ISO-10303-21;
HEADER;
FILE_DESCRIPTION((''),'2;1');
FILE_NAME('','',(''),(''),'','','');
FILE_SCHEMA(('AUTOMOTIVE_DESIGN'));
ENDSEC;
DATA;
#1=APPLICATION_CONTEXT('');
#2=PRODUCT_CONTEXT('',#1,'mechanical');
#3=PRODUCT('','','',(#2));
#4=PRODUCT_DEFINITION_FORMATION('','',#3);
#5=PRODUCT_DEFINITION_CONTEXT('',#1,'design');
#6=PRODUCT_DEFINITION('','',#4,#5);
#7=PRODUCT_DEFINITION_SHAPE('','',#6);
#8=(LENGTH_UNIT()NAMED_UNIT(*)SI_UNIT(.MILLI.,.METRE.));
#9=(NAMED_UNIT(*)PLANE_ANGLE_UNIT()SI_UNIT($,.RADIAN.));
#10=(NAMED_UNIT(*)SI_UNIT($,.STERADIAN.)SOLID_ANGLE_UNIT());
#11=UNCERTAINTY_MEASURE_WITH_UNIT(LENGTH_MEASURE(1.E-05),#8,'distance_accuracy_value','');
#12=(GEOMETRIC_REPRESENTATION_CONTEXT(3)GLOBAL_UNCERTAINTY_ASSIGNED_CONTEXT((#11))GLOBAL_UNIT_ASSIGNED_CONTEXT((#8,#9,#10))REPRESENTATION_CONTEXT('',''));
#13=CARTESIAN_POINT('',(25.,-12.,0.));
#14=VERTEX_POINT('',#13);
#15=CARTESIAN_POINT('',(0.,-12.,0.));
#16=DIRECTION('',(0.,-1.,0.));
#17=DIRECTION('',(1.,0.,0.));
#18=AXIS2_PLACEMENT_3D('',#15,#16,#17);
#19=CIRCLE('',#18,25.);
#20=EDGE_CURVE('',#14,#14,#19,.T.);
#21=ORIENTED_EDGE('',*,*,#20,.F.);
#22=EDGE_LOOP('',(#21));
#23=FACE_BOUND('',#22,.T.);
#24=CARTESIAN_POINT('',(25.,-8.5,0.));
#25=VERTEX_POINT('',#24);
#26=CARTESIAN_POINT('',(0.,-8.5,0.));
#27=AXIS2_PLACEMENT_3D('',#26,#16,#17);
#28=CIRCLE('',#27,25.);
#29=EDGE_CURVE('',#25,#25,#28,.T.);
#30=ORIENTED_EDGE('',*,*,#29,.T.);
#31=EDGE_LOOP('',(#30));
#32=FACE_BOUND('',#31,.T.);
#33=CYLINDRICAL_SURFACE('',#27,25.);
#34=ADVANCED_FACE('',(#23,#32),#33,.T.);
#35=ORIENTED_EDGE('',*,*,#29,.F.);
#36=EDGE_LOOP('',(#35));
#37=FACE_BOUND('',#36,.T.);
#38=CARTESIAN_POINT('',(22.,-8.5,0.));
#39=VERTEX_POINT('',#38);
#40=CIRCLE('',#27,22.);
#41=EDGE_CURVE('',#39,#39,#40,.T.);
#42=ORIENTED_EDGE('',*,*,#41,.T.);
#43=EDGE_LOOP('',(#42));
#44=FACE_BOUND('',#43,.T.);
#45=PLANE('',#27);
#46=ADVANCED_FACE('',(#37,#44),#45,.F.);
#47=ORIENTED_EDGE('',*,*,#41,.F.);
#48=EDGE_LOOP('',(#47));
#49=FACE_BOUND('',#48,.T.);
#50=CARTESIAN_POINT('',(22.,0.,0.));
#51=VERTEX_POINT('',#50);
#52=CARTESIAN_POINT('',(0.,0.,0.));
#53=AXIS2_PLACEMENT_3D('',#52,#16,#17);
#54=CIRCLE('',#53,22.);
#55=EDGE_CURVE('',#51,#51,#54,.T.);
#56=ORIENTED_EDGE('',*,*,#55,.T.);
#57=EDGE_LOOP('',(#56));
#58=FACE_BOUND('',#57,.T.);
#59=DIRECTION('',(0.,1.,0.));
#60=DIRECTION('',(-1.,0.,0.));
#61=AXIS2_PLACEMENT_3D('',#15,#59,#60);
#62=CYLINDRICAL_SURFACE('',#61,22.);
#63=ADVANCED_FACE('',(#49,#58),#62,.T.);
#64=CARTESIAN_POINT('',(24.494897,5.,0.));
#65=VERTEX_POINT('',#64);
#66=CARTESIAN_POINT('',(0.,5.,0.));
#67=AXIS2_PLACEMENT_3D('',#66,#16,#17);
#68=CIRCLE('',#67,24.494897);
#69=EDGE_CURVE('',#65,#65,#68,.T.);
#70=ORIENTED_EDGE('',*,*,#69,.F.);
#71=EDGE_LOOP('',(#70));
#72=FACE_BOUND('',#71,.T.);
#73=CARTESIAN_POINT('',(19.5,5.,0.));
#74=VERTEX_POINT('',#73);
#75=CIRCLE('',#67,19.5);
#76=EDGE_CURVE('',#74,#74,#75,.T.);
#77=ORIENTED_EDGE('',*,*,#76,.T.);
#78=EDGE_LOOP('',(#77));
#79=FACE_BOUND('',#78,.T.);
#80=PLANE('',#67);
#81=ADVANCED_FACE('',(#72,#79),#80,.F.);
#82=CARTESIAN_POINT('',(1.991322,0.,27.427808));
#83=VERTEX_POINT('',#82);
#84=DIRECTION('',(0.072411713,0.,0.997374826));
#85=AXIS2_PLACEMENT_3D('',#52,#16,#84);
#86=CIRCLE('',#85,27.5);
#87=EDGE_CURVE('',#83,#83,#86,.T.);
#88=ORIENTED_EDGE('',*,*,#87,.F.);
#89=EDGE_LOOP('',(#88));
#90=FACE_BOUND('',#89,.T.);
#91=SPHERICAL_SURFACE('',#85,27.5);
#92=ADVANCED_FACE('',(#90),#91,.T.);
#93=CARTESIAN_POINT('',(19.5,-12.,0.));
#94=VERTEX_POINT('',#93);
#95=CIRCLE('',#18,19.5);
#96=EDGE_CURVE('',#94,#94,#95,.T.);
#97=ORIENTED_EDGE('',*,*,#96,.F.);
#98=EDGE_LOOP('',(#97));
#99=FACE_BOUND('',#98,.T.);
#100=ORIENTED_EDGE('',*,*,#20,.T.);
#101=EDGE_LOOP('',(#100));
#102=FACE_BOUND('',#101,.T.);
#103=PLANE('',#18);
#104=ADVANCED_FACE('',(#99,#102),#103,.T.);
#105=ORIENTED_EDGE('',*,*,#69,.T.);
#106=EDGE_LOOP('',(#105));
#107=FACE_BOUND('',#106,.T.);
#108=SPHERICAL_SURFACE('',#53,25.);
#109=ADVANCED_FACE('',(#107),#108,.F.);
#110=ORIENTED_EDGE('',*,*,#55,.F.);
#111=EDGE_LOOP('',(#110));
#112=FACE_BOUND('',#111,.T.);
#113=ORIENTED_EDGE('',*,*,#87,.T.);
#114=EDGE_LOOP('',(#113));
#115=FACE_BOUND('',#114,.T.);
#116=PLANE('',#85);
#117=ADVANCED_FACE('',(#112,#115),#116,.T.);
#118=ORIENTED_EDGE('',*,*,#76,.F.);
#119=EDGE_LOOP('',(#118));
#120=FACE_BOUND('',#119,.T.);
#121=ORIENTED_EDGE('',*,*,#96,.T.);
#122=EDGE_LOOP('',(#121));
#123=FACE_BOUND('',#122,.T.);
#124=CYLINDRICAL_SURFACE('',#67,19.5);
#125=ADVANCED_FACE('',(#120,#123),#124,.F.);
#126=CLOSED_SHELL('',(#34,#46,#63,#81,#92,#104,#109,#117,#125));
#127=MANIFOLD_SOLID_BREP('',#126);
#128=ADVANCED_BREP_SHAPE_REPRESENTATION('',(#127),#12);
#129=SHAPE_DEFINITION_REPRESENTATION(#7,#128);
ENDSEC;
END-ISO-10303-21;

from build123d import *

# Parameters (mm, degrees)
REVOLVE1_ANGLE      = 180
SKETCH3_R           = 25.457715114
BOSS_EXTRUDE1_DEPTH = 5
SKETCH4_R           = 22
BOSS_EXTRUDE2_DEPTH = 12
SKETCH5_R           = 25
BOSS_EXTRUDE3_DEPTH = 3.5
SKETCH6_R           = 19.5
CUT_EXTRUDE1_DEPTH  = 17


with BuildPart() as part:
    # Sketch1 → Revolve1 (revolve)
    with BuildSketch(Plane(origin=(0, 0, 0), x_dir=(1, 0, 0), z_dir=(0, 1, 0))):
        with BuildLine():
            Line((-0.996315138, 27.481946004), (0.996315138, -27.481946004))
            ThreePointArc((0.996315138, -27.481946004), (27.481946004, 0.996315138), (-0.996315138, 27.481946004))
        make_face()
    revolve(axis=Axis((-0.996315138, 0, -27.481946004), (0.036229641, 0, 0.999343491)), revolution_arc=REVOLVE1_ANGLE)

    # Sketch2 → Cut-Revolve1 (revolve, cut)
    with BuildSketch(Plane.XZ):
        with BuildLine():
            Line((0, 25), (0, -25))
            ThreePointArc((0, -25), (25, 0), (0, 25))
        make_face()
    revolve(axis=Axis((0, 0, 25), (0, 0, -1)), mode=Mode.SUBTRACT)

    # Sketch3 → Boss-Extrude1 (add)
    with BuildSketch(Plane.XZ):
        Circle(SKETCH3_R)
    extrude(amount=-BOSS_EXTRUDE1_DEPTH)

    # Sketch4 → Boss-Extrude2 (add)
    with BuildSketch(Plane.XZ):
        Circle(SKETCH4_R)
    extrude(amount=BOSS_EXTRUDE2_DEPTH)

    # Sketch5 → Boss-Extrude3 (add)
    with BuildSketch(Plane.XZ.offset(12)):
        Circle(SKETCH5_R)
    extrude(amount=-BOSS_EXTRUDE3_DEPTH)

    # Sketch6 → Cut-Extrude1 (cut)
    with BuildSketch(Plane.XZ.offset(12)):
        Circle(SKETCH6_R)
    extrude(amount=-CUT_EXTRUDE1_DEPTH, mode=Mode.SUBTRACT)


solid = part.part
